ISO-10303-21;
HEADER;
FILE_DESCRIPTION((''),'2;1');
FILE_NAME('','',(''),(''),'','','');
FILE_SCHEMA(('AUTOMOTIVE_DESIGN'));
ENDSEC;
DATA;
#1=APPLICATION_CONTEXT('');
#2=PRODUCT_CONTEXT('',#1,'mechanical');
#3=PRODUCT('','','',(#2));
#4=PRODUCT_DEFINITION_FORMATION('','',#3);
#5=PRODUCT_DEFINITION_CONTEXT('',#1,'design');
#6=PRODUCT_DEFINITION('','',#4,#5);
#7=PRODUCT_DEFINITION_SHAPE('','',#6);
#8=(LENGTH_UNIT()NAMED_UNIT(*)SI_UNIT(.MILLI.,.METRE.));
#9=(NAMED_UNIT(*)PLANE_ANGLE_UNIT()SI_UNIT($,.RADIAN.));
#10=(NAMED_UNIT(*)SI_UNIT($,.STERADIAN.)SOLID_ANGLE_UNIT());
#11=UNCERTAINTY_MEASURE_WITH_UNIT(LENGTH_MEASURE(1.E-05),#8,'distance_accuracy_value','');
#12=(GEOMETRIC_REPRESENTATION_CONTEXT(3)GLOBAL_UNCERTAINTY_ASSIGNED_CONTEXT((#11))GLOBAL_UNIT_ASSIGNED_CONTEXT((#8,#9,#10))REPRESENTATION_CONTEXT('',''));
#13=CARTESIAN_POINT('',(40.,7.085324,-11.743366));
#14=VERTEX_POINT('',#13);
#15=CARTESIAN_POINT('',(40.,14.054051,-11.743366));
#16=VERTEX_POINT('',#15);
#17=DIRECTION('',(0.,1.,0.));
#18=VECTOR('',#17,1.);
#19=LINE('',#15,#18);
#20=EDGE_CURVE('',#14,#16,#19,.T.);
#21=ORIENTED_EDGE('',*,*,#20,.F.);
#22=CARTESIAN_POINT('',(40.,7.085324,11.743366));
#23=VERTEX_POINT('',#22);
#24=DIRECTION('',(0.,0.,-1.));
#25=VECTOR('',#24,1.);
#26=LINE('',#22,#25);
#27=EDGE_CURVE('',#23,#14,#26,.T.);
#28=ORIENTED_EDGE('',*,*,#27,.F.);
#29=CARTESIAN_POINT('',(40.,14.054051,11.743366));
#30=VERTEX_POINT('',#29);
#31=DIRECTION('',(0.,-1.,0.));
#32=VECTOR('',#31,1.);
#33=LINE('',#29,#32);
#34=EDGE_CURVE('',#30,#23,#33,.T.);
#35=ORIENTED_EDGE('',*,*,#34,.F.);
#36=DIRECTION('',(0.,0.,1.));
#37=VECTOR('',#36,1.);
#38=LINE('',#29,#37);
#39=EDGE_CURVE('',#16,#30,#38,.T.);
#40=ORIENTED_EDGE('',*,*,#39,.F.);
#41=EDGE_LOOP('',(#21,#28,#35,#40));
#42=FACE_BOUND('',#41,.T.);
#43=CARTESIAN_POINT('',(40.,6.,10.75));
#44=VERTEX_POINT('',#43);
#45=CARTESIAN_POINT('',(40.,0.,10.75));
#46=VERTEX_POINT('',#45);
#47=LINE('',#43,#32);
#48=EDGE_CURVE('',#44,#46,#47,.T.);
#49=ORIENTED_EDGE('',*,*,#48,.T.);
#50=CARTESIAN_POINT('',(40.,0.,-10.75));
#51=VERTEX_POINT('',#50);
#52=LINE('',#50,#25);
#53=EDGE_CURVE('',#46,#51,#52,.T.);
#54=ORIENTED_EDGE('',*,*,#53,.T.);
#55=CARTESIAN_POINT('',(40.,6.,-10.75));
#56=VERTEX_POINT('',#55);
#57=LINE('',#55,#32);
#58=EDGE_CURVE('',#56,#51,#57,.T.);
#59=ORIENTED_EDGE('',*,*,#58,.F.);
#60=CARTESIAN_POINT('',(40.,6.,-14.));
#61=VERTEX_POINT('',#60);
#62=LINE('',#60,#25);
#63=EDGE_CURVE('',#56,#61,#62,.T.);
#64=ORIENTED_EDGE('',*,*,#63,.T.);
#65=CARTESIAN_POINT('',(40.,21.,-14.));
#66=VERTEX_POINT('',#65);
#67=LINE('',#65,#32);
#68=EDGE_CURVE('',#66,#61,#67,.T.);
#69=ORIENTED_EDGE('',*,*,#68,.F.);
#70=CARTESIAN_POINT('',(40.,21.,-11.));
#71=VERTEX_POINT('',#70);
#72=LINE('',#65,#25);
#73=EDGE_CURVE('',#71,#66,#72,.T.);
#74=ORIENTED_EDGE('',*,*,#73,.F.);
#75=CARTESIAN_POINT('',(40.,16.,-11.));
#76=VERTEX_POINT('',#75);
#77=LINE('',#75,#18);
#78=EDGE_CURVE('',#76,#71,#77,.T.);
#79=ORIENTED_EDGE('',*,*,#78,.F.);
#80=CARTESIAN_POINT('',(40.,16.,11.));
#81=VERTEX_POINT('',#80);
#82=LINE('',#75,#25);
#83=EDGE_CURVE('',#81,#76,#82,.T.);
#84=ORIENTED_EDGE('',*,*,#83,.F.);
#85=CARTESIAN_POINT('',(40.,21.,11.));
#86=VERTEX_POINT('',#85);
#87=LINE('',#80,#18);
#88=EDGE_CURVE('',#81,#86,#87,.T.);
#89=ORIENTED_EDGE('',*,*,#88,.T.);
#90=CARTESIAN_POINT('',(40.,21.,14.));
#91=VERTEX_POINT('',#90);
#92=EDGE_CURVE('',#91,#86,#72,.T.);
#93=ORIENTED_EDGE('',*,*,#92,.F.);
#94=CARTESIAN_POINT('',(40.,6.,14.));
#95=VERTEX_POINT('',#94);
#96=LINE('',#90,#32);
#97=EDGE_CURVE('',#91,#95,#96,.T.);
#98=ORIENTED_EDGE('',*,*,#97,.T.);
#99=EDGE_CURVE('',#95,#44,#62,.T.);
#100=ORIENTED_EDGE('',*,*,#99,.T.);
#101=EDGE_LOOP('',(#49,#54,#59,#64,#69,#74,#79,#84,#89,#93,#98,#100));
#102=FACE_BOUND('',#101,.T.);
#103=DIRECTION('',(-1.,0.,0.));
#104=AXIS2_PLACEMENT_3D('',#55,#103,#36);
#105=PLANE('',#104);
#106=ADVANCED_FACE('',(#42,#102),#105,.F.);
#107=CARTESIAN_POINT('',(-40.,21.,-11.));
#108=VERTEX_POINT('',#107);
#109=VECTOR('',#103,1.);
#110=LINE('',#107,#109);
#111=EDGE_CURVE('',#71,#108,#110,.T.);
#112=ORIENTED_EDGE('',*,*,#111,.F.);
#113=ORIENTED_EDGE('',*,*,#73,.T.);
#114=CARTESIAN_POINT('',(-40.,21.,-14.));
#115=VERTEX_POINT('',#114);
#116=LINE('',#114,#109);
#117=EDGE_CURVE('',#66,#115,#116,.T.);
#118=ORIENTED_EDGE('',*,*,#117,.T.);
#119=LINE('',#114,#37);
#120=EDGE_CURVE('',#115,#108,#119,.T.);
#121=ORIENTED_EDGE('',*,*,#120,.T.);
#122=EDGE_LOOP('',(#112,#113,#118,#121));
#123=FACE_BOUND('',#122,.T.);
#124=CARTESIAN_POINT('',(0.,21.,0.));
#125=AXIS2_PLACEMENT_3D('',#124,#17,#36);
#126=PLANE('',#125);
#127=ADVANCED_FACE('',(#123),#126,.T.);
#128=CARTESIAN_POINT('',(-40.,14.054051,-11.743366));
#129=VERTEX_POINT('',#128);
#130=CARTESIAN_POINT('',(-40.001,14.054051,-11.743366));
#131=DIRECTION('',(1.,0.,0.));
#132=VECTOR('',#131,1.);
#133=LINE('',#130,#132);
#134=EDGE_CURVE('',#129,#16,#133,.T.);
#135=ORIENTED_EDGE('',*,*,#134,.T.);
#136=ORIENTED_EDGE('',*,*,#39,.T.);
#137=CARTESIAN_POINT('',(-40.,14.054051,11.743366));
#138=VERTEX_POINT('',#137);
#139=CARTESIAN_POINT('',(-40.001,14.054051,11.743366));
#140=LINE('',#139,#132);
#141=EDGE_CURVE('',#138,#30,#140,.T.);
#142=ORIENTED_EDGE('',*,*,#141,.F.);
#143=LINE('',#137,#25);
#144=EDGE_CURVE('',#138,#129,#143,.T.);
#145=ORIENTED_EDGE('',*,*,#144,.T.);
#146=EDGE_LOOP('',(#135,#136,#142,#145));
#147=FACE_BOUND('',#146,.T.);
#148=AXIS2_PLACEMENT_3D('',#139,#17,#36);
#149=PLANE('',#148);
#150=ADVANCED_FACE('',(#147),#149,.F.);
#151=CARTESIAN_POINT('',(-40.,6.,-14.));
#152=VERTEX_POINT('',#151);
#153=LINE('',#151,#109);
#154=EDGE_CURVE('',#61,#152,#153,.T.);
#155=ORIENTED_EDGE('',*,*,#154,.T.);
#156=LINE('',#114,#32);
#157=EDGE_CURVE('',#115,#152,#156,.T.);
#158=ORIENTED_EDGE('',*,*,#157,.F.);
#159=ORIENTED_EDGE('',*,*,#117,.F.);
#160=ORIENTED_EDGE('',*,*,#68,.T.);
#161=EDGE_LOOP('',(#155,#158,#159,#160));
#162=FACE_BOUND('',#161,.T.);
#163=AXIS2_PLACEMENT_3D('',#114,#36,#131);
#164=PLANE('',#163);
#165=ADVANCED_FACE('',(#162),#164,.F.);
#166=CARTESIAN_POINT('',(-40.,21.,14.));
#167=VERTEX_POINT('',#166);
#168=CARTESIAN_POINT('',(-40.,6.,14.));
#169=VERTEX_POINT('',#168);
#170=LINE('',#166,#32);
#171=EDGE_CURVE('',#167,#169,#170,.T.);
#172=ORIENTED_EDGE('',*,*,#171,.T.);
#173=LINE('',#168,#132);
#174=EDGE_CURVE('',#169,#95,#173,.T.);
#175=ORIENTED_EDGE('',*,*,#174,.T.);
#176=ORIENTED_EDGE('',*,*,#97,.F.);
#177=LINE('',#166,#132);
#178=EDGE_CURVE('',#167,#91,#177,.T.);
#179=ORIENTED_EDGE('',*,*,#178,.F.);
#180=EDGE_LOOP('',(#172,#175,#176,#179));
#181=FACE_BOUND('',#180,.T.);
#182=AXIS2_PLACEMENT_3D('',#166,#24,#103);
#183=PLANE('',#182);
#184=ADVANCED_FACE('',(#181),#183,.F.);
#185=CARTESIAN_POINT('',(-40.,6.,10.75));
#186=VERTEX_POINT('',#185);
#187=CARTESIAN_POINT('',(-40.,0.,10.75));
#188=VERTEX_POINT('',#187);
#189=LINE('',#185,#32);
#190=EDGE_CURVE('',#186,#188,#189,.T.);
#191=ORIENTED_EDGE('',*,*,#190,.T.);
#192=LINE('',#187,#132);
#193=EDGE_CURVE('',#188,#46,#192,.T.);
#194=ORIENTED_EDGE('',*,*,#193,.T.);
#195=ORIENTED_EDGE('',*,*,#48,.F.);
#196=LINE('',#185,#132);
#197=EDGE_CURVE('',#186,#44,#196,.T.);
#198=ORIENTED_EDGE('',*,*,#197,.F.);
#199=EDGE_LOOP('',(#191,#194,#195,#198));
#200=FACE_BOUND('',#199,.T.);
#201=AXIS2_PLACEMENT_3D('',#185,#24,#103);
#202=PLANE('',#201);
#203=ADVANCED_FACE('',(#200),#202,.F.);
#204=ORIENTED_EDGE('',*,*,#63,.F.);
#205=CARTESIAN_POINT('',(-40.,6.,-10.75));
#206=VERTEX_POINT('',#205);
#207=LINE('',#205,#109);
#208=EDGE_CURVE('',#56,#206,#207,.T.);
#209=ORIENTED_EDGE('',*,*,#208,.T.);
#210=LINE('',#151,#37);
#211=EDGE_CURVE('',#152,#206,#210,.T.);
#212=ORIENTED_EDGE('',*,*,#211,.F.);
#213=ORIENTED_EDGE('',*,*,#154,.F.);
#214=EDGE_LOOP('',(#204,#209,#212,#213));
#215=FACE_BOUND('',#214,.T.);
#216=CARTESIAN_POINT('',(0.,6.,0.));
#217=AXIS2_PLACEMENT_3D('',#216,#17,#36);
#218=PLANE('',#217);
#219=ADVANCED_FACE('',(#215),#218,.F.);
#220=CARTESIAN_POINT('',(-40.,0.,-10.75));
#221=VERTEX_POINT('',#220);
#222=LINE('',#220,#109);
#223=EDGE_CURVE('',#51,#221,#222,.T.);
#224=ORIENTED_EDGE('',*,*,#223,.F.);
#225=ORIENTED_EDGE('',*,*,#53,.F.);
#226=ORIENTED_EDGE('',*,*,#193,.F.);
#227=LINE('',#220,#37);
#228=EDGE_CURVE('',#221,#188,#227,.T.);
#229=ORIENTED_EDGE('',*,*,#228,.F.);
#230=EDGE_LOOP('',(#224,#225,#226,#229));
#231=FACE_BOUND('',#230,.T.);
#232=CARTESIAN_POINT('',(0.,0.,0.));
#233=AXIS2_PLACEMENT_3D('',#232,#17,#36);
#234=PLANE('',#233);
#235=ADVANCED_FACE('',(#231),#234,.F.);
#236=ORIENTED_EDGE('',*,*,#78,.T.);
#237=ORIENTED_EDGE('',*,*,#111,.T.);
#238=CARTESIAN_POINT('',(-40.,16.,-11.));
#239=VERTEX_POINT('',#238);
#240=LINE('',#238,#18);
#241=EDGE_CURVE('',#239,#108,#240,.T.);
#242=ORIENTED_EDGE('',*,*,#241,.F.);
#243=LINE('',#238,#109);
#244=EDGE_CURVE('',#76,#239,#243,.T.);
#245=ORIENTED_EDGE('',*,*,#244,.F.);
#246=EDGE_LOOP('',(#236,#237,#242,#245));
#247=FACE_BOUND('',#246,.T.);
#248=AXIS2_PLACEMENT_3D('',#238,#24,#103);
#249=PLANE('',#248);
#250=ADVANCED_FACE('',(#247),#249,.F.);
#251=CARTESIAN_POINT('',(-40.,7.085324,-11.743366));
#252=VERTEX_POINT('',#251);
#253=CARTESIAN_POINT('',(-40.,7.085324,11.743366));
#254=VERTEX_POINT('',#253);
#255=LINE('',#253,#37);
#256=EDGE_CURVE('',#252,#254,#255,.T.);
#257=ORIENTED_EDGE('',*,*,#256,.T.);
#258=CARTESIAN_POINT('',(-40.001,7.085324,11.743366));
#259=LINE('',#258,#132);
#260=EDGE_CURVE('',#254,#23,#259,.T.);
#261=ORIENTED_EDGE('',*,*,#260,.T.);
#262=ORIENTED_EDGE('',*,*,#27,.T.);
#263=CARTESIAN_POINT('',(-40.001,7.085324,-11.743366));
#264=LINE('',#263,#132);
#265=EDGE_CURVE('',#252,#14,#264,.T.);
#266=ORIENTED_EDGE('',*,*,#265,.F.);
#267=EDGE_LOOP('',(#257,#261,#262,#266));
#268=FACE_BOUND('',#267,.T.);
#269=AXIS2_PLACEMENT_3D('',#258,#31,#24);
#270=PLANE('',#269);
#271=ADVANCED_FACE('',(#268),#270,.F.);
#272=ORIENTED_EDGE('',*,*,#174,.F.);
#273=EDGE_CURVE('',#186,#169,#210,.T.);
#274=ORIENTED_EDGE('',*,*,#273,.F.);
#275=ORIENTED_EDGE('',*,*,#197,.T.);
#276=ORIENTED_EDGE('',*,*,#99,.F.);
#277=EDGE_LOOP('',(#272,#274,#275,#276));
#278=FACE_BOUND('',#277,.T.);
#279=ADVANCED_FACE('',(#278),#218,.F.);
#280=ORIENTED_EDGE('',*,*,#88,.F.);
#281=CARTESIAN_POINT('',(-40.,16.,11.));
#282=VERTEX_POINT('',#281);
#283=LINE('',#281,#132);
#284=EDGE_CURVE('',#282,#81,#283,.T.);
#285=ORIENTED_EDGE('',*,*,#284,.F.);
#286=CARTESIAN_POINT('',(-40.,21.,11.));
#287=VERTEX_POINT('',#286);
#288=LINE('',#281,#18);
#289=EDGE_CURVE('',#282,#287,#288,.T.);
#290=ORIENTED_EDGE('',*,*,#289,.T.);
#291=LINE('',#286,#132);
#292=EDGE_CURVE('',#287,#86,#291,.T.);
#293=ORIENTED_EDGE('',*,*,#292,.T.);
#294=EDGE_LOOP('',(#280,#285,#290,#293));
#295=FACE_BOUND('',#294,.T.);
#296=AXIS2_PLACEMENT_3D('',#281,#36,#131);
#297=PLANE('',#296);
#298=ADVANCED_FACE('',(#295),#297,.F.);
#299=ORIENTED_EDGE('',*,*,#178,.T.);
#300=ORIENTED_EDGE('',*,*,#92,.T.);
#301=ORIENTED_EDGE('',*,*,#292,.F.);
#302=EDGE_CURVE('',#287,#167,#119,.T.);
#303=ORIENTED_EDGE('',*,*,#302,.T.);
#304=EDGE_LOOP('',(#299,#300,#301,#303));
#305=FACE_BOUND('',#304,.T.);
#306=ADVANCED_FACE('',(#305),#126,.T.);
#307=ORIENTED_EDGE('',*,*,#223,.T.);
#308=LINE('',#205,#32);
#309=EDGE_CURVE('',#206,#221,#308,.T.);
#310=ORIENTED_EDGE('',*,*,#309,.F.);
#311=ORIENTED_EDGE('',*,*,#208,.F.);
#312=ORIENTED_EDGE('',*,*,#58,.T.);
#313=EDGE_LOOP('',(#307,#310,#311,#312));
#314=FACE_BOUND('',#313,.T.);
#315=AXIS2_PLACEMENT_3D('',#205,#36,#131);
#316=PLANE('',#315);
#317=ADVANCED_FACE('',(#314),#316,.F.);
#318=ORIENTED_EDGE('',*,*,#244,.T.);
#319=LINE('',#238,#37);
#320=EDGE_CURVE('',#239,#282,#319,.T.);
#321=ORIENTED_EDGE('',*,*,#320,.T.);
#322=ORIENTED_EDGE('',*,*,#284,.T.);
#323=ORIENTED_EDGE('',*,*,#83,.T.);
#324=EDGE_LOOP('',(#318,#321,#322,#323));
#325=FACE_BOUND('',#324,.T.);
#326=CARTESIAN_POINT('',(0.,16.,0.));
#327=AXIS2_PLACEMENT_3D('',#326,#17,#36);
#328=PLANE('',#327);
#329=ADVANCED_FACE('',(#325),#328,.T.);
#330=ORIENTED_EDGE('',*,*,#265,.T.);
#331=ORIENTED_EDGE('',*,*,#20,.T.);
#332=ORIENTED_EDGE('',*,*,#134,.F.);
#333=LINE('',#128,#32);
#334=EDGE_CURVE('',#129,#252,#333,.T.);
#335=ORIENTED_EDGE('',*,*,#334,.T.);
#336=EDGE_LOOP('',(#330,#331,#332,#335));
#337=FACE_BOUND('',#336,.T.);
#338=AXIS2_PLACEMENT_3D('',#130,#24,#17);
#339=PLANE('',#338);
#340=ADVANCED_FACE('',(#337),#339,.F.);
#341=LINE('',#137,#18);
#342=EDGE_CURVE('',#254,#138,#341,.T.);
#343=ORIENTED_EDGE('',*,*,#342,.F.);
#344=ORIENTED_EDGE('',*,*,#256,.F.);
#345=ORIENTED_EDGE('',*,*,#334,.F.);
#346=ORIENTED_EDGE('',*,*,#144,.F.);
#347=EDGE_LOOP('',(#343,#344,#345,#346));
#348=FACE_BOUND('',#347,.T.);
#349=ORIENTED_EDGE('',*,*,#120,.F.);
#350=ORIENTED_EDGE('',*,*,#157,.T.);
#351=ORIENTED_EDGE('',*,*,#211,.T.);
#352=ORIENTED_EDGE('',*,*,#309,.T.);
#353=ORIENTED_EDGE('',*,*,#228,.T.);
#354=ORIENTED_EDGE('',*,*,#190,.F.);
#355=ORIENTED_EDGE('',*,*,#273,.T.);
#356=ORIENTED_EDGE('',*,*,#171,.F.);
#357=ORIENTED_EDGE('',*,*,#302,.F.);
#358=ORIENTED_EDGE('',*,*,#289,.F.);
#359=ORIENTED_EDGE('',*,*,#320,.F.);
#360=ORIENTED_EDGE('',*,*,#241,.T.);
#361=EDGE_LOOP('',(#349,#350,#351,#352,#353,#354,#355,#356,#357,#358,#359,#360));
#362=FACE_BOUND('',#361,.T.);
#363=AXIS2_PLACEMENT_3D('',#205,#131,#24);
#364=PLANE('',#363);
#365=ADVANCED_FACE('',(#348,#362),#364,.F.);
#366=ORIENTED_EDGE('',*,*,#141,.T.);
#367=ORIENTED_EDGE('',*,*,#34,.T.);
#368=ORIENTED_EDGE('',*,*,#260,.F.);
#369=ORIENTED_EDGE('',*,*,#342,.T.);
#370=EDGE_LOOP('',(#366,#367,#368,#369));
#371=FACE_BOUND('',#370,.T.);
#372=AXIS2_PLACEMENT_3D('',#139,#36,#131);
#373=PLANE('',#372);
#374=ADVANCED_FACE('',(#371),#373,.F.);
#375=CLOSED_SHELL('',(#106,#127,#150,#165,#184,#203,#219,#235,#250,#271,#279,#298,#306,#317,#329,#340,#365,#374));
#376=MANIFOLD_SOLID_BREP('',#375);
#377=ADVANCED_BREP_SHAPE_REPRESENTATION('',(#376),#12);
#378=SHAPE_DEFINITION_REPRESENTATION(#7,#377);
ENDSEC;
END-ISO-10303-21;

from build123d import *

# Parameters (mm, degrees)
SKETCH1_W           = 80
SKETCH1_H           = 21.5
BOSS_EXTRUDE1_DEPTH = 6
SKETCH2_W           = 80
SKETCH2_H           = 28
BOSS_EXTRUDE2_DEPTH = 15
SKETCH3_W           = 80
SKETCH3_H           = 22
CUT_EXTRUDE1_DEPTH  = 5
CUT_EXTRUDE2_REACH  = 85.887
SKETCH4_W           = 23.48673248
SKETCH4_H           = 6.968727305


with BuildPart() as part:
    # Sketch1 → Boss-Extrude1 (new body)
    with BuildSketch(Plane(origin=(0, 0, 0), x_dir=(1, 0, 0), z_dir=(0, 1, 0))):
        Rectangle(SKETCH1_W, SKETCH1_H)
    extrude(amount=BOSS_EXTRUDE1_DEPTH)

    # Sketch2 → Boss-Extrude2 (add)
    with BuildSketch(Plane(origin=(0, 6, 0), x_dir=(1, 0, 0), z_dir=(0, 1, 0))):
        Rectangle(SKETCH2_W, SKETCH2_H)
    extrude(amount=BOSS_EXTRUDE2_DEPTH)

    # Sketch3 → Cut-Extrude1 (cut)
    with BuildSketch(Plane(origin=(0, 21, 0), x_dir=(1, 0, 0), z_dir=(0, 1, 0))):
        Rectangle(SKETCH3_W, SKETCH3_H)
    extrude(amount=-CUT_EXTRUDE1_DEPTH, mode=Mode.SUBTRACT)

    # Sketch4 → Cut-Extrude2 (cut, up to next)
    with BuildSketch(Plane(origin=(40, 0, 0), x_dir=(0, 0, -1), z_dir=(1, 0, 0)), mode=Mode.PRIVATE) as cut_extrude2_sk1:
        with Locations((0, 10.569687274)):
            Rectangle(SKETCH4_W, SKETCH4_H)
    cut_extrude2_tool1 = extrude(cut_extrude2_sk1.sketch, amount=-CUT_EXTRUDE2_REACH, mode=Mode.PRIVATE) & part.part
    add(cut_extrude2_tool1.solids().sort_by_distance((40, 10.569687, 0))[0], mode=Mode.SUBTRACT)


solid = part.part
